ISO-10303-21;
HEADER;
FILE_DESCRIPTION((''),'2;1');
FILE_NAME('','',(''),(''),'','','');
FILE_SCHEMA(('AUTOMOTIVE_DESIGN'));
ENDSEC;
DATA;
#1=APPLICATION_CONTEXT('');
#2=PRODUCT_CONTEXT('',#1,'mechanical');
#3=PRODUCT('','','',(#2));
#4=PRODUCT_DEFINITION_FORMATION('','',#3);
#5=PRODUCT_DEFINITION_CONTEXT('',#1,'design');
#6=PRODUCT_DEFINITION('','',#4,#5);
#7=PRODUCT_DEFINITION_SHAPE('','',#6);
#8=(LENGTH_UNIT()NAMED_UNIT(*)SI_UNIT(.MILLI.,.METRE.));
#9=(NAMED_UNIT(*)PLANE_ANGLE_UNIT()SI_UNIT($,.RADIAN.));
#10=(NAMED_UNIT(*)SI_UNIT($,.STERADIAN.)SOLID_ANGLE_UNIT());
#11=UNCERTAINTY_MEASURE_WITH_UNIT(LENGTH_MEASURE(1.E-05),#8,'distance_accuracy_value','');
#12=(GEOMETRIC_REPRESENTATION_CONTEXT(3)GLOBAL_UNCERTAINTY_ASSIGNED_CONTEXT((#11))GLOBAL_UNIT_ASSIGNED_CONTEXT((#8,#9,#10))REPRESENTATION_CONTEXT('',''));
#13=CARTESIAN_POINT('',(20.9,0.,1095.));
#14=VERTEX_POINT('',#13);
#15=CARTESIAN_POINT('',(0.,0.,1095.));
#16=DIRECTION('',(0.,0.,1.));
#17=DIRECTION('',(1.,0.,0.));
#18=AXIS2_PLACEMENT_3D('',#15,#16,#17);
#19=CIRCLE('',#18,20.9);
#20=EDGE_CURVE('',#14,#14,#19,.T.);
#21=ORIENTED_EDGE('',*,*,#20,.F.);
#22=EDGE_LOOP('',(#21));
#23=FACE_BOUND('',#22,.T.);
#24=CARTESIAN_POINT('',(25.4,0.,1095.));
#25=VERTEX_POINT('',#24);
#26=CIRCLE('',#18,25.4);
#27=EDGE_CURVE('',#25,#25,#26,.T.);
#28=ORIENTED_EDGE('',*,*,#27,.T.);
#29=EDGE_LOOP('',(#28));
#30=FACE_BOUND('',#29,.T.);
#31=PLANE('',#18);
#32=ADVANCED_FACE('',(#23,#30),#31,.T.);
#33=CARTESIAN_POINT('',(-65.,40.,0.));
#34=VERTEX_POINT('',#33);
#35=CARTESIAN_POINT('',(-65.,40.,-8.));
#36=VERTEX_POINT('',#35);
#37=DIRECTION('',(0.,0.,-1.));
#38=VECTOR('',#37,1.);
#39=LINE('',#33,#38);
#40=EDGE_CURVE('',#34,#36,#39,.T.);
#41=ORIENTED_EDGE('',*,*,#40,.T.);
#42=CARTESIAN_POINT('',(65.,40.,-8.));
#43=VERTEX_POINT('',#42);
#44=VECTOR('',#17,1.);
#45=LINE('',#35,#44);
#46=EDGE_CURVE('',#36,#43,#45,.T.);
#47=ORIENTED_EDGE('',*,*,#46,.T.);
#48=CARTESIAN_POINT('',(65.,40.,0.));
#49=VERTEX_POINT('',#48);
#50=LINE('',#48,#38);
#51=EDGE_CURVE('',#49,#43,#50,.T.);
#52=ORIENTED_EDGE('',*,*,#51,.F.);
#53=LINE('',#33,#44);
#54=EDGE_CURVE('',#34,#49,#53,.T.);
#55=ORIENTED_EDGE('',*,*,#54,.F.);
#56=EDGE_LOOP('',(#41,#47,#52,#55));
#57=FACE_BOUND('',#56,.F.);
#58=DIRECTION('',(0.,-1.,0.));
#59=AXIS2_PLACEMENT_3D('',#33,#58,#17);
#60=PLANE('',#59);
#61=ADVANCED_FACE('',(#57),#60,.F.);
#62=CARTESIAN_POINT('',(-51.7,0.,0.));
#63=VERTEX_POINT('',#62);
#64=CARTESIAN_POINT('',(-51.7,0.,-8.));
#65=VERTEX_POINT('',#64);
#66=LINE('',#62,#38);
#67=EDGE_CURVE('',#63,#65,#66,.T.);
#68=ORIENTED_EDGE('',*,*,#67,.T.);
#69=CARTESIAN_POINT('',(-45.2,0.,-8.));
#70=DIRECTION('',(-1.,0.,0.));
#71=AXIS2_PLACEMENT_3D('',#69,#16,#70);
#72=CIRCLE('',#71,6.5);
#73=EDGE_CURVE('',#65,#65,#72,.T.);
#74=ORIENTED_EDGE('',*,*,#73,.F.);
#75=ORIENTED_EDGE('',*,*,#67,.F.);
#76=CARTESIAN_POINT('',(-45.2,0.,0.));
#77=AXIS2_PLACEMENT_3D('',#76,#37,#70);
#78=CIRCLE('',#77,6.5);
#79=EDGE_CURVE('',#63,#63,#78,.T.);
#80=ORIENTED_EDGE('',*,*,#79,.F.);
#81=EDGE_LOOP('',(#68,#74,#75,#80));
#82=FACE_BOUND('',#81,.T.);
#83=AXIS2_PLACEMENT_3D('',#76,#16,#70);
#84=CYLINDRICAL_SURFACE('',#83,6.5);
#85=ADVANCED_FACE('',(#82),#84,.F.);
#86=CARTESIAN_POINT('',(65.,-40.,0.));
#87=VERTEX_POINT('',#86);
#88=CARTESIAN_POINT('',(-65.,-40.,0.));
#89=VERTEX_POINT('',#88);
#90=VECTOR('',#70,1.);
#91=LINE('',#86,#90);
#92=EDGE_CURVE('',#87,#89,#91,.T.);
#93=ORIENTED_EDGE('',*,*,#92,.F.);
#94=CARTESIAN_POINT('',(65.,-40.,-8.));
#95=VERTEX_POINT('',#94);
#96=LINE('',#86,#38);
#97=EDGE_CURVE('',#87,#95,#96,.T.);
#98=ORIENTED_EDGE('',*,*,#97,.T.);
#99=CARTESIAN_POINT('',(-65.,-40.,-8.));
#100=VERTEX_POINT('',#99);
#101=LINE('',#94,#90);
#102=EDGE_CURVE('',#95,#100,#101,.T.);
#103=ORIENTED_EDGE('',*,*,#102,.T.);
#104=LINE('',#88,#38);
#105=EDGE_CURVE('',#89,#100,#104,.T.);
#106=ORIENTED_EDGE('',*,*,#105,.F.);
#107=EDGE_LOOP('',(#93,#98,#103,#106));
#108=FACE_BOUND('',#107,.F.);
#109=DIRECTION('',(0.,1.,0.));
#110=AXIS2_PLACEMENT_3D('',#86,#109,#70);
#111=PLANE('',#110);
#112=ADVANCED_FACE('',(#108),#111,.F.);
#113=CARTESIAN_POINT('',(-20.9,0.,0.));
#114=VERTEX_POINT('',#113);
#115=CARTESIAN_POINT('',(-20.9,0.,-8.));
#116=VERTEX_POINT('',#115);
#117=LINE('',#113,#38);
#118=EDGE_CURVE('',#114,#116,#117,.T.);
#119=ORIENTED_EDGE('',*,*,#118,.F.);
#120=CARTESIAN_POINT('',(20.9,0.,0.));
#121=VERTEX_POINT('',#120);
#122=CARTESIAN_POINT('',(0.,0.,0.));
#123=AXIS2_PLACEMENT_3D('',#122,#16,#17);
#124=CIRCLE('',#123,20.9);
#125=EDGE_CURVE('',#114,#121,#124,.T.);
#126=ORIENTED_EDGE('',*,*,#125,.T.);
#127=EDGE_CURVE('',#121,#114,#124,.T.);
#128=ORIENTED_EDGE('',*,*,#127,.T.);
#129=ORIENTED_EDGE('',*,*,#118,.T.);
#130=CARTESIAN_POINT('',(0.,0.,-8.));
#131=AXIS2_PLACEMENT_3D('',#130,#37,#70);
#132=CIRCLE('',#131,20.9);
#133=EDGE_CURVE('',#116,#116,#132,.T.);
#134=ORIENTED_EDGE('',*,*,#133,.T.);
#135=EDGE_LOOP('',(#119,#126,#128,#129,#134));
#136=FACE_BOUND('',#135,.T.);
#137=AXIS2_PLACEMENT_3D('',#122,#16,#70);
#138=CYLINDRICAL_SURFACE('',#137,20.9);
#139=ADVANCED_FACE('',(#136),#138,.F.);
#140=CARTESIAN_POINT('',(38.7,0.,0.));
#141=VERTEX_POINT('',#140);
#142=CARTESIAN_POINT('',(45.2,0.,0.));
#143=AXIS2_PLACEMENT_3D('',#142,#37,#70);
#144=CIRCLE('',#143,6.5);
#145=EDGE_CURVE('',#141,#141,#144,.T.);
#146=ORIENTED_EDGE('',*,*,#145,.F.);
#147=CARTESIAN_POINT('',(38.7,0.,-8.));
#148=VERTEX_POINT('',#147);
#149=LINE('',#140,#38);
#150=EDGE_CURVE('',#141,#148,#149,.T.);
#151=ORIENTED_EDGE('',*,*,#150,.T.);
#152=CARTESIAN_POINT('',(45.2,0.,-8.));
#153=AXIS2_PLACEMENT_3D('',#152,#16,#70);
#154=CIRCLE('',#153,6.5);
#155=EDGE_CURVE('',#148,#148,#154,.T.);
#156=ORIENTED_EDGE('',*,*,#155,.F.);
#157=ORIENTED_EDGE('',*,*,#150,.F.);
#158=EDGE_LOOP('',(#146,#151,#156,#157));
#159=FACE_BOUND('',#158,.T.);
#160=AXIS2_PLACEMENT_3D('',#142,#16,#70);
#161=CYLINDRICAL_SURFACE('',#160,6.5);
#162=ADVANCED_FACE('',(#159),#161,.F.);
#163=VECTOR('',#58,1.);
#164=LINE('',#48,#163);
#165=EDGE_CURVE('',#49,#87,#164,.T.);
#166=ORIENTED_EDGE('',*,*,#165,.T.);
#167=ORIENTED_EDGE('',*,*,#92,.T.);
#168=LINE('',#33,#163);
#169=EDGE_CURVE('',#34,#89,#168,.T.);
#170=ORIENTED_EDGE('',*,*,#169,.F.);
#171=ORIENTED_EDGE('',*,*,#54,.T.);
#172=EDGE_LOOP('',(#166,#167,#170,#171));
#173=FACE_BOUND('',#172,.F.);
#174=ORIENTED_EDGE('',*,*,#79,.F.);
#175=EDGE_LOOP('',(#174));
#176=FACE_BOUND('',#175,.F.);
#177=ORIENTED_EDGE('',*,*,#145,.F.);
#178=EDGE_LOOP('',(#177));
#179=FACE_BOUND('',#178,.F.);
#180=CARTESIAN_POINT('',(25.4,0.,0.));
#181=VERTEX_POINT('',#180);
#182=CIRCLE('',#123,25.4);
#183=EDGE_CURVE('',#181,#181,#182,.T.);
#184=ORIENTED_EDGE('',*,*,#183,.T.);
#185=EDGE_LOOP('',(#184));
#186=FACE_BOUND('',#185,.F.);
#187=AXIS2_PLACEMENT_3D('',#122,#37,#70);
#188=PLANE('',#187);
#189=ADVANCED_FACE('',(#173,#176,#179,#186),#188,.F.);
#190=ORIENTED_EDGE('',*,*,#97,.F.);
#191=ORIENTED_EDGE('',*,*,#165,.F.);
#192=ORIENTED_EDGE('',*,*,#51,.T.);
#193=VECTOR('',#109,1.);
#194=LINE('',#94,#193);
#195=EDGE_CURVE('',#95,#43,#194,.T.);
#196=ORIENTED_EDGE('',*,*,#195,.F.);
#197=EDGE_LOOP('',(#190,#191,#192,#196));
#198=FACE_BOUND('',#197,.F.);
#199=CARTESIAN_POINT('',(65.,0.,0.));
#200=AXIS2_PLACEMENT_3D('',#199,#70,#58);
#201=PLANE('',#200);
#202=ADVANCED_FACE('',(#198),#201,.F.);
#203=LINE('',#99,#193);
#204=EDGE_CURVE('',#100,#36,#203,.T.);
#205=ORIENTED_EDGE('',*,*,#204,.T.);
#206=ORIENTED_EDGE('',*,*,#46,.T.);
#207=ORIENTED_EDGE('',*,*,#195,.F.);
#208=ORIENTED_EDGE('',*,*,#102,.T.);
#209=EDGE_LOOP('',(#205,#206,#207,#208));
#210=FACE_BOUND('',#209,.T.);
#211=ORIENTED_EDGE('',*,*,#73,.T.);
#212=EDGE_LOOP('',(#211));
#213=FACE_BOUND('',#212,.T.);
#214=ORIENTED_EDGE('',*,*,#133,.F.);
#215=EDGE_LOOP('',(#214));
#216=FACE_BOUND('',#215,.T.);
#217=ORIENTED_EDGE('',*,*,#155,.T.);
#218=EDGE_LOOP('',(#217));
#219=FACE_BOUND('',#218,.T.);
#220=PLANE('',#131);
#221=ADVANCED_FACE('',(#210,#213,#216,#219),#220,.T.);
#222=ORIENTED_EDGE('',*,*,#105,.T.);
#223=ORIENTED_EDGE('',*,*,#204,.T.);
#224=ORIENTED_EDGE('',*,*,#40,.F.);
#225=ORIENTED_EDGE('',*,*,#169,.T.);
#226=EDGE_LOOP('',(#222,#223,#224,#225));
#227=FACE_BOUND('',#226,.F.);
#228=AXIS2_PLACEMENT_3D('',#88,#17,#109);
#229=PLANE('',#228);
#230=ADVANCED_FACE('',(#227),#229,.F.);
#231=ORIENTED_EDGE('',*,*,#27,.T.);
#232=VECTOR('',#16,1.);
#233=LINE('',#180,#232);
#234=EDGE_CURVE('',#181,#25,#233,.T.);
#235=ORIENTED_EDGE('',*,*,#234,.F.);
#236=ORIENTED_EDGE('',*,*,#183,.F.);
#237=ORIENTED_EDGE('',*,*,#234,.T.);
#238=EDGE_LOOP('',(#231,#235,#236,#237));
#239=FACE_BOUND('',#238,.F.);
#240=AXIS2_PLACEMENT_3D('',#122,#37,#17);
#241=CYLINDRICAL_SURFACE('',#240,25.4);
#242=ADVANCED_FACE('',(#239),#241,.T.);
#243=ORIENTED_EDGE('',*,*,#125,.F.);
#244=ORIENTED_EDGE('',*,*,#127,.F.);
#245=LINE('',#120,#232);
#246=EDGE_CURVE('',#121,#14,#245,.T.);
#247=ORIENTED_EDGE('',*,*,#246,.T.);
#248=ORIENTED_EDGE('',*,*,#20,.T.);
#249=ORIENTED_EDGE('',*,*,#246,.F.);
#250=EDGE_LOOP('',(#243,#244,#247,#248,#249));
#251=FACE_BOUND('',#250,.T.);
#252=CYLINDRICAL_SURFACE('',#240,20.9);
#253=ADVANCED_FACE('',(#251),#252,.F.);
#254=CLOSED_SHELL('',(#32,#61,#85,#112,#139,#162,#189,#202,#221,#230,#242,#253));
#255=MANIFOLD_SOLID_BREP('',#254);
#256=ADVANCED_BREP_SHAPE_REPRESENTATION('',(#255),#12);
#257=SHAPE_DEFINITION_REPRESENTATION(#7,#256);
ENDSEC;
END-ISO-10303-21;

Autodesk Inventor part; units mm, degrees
ref_plane "YZ Plane" through (0, 0, 0) normal (1, 0, 0) x (0, 1, 0)
ref_plane "XZ Plane" through (0, 0, 0) normal (0, 1, 0) x (-1, 0, 0)
ref_plane "XY Plane" through (0, 0, 0) normal (0, 0, 1) x (1, 0, 0)
sketch "Boceto1" plane through (0, 0, 0) normal (0, 0, 1) x (1, 0, 0)
  circle A0 centre (0, 0) radius 25.4
  circle A1 centre (0, 0) radius 20.9
  dimension "d0" = 50.8
  dimension "d1" = 41.8
extrude "Extrusión1" add sketch "Boceto1" along normal blind 1095
sketch "Boceto2" plane through (0, 0, 0) normal (0, 0, -1) x (-1, 0, 0)
  line L0 (-65, -40) -> (65, -40)
  line L1 (65, -40) -> (65, 40)
  line L2 (65, 40) -> (-65, 40)
  line L3 (-65, 40) -> (-65, -40)
  line L4 (-65, -40) -> (65, 40) construction
  line L5 (65, -40) -> (-65, 40) construction
  line L6 (-65, 0) -> (-25.4, 0)
  circle A0 centre (0, 0) radius 25.4 projected
  circle A1 centre (-45.2, 0) radius 6.5
  line L7 (25.4, 0) -> (65, 0)
  circle A2 centre (45.2, 0) radius 6.5
  circle A3 centre (0, 0) radius 25.4 projected
  circle A4 centre (0, 0) radius 20.9 projected
  dimension "d4" = 130
  dimension "d5" = 80
  dimension "d6" = 13
  dimension "d7" = 13
extrude "Extrusión2" add sketch "Boceto2" along normal blind 8 contours L3 L6 A1 A0 L7 A2 L1 L0 | L3 L2 L1 L7 A2 A0 L6 A1 | A0
properties part number "tubo_principal"
